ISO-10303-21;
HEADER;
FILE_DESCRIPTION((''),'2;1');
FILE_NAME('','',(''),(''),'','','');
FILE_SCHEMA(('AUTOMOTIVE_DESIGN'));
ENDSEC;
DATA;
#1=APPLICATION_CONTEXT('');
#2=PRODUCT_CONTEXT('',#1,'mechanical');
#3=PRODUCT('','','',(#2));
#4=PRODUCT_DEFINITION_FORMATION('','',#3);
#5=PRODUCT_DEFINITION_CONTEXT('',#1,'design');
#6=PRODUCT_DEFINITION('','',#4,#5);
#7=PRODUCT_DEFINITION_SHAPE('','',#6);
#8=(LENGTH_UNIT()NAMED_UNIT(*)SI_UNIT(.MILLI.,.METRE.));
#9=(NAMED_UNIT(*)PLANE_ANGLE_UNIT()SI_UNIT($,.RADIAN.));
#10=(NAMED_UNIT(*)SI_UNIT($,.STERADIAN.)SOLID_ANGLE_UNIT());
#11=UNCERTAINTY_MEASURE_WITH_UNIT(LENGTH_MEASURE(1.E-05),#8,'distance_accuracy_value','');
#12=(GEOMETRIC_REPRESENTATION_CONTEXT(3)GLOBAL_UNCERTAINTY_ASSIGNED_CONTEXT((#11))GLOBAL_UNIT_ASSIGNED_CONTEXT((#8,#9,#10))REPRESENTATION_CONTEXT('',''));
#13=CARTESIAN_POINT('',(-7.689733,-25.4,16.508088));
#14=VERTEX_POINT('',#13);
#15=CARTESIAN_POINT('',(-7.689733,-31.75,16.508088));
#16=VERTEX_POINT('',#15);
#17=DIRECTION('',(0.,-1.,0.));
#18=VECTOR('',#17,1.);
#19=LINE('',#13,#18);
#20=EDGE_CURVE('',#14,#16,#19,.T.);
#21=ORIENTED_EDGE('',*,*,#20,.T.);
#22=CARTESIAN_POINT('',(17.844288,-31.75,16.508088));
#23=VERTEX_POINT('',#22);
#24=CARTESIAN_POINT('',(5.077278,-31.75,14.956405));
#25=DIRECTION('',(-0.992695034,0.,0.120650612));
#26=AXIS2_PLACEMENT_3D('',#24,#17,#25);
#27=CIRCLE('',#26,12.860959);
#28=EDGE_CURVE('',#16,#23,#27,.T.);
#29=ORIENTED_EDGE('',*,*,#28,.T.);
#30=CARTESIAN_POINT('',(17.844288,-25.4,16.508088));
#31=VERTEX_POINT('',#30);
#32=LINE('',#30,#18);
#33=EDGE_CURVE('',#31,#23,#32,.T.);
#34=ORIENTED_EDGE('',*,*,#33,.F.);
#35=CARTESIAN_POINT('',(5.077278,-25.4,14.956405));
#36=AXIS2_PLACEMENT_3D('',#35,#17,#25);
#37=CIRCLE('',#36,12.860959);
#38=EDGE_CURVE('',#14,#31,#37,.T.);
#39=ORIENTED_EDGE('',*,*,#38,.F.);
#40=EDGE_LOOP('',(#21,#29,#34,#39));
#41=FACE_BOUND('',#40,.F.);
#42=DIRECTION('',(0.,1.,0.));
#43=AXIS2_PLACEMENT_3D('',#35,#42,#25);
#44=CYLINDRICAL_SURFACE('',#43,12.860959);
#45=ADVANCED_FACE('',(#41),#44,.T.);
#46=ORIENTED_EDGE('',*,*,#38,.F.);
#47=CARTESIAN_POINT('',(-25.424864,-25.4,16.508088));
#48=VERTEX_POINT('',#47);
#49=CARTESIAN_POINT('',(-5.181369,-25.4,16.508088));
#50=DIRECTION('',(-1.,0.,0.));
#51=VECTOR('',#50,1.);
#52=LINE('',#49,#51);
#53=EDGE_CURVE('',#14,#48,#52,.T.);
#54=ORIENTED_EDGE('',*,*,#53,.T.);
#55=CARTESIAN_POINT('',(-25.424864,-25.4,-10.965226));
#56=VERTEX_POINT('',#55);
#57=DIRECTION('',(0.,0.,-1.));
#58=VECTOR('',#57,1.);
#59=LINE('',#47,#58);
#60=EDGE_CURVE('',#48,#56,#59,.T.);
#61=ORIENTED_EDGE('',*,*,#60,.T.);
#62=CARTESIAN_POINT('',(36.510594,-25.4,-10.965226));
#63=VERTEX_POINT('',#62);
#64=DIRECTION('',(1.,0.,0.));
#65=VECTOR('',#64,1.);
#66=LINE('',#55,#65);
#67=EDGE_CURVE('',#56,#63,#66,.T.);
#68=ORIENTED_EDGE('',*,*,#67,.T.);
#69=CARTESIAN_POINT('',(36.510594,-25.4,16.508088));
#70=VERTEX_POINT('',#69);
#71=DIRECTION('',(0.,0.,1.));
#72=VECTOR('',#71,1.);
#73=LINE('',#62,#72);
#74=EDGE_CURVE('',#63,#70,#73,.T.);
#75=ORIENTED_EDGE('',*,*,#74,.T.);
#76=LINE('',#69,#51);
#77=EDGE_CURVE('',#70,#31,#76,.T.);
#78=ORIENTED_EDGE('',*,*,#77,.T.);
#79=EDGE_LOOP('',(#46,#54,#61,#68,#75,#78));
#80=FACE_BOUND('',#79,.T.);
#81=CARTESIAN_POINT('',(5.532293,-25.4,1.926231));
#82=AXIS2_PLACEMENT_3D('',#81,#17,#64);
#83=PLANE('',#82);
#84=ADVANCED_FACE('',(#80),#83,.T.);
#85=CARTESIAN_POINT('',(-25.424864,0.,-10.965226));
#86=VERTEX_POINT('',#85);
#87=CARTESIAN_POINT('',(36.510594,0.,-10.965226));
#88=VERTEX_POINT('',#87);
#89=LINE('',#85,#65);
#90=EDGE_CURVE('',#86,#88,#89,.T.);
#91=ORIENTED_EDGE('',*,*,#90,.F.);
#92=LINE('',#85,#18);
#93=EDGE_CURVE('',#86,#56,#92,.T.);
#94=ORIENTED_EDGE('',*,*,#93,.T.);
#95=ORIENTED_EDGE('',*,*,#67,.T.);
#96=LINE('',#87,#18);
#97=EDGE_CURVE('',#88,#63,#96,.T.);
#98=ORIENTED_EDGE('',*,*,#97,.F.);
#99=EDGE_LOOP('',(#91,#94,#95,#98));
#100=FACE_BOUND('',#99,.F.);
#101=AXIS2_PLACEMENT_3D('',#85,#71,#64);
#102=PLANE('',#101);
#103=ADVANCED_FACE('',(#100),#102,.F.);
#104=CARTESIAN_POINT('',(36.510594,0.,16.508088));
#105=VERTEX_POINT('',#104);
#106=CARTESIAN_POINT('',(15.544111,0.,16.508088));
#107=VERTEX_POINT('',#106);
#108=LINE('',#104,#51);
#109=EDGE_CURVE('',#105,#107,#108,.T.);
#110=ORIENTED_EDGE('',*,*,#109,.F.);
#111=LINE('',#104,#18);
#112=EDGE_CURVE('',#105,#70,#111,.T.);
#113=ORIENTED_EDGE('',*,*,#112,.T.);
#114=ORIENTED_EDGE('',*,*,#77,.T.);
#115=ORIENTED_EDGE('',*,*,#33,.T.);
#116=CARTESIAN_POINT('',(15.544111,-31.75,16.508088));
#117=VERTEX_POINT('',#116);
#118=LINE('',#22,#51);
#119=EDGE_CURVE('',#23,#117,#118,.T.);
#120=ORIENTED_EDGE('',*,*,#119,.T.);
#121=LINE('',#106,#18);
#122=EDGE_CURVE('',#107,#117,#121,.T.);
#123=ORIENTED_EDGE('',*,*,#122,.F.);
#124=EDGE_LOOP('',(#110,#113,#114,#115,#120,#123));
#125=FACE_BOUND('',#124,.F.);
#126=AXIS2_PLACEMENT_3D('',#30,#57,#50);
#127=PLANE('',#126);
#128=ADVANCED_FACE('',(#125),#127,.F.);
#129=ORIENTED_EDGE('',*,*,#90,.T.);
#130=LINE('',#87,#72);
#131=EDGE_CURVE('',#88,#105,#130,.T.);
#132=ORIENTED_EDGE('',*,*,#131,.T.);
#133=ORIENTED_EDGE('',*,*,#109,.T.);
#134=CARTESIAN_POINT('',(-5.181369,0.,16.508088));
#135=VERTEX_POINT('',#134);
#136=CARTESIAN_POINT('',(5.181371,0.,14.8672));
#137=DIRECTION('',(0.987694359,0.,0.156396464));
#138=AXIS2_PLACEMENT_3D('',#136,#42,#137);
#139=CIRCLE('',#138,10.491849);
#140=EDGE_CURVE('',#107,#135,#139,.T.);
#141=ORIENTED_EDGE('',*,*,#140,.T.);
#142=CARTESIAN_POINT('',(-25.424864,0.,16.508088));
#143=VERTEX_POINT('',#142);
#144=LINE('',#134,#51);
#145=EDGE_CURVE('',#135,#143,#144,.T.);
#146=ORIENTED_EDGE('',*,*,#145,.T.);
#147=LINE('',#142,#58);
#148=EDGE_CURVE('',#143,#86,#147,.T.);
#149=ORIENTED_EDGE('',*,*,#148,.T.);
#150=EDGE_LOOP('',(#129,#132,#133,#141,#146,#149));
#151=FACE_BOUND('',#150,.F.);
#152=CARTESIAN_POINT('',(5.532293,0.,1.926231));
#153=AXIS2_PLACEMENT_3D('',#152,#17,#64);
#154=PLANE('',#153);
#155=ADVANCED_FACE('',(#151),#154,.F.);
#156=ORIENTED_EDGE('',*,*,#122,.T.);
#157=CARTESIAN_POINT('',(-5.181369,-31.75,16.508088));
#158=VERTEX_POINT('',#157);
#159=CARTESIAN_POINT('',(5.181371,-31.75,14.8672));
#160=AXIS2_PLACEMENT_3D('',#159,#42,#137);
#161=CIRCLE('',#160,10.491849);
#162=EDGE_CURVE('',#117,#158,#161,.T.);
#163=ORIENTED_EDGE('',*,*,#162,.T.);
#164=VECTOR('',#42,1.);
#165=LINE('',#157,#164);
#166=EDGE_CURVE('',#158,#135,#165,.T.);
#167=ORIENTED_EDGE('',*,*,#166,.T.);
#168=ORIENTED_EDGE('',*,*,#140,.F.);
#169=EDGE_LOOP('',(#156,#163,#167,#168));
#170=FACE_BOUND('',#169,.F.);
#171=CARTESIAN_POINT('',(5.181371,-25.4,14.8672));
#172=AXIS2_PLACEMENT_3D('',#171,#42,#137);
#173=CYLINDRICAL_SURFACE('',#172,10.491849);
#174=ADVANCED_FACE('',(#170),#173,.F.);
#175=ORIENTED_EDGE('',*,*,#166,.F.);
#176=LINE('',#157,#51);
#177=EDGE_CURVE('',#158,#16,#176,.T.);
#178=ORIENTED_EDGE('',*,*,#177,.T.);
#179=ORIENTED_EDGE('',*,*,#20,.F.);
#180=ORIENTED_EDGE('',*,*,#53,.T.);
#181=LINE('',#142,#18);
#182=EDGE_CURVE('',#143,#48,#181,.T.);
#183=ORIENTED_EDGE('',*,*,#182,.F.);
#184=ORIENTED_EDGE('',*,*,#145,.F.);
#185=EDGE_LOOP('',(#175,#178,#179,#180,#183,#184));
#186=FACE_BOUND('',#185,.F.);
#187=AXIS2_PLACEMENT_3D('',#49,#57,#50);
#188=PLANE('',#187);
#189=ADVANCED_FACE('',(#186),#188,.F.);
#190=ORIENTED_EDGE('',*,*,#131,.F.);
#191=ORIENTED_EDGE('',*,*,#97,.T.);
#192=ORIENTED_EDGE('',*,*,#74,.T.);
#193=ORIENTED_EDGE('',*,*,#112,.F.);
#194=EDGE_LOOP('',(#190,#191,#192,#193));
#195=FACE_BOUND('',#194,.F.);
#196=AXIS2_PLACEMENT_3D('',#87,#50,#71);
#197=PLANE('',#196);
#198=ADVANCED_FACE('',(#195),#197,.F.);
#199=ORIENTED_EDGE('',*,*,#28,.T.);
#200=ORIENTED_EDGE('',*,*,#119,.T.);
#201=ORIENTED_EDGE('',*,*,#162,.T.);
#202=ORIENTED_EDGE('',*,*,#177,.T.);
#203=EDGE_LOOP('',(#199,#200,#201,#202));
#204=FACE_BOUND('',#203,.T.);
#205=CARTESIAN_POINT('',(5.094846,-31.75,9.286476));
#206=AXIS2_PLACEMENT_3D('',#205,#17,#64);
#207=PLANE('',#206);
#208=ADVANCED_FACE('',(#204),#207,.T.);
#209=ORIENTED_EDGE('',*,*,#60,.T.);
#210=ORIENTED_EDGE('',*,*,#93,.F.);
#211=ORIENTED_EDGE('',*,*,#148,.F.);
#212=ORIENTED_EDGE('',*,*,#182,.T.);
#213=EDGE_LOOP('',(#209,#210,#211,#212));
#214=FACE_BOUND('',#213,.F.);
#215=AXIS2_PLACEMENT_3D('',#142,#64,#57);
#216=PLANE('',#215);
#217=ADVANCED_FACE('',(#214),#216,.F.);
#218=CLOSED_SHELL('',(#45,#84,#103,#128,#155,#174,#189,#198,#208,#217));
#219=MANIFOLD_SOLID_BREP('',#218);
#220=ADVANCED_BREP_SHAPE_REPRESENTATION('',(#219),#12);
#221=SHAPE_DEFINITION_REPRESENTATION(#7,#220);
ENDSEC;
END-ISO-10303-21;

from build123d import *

# Parameters (mm, degrees)
F1_DEPTH = 25.4
F2_R     = 3.02283
F3_DEPTH = 25.4
F5_DEPTH = 6.35


with BuildPart() as f1:
    # F0 (on Front) → F1 (new body)
    with BuildSketch(Plane.XZ):
        with BuildLine():
            Line((-25.424864, 16.508088), (-25.424864, -10.965226))
            Line((-25.424864, -10.965226), (36.510594, -10.965226))
            Line((36.510594, -10.965226), (36.510594, 16.508088))
            Line((36.510594, 16.508088), (19.159023, 16.508088))
            ThreePointArc((19.159023, 16.508088), (5.422366, 0.842331), (-8.314291, 16.508088))
            Line((-8.314291, 16.508088), (-25.424864, 16.508088))
        make_face()
        with BuildLine():
            Line((-5.181369, 16.508088), (-8.314291, 16.508088))
            ThreePointArc((-8.314291, 16.508088), (5.422366, 0.842331), (19.159023, 16.508088))
            Line((19.159023, 16.508088), (15.544111, 16.508088))
            ThreePointArc((15.544111, 16.508088), (5.181371, 4.375351), (-5.181369, 16.508088))
        make_face()
    extrude(amount=F1_DEPTH)

    # F2 (on face) → F3 (join)
    with BuildSketch(Plane.XY.offset(16.508088)):
        with Locations((-15.827941, -12.417181)):
            Circle(F2_R)
    extrude(amount=-F3_DEPTH)

    # F4 (on face) → F5 (join)
    with BuildSketch(Plane.XZ.offset(25.4)):
        with BuildLine():
            ThreePointArc((-7.689733, 16.508088), (5.077277, 2.095446), (17.844288, 16.508088))
            Line((17.844288, 16.508088), (15.544111, 16.508088))
            ThreePointArc((15.544111, 16.508088), (5.181371, 4.375351), (-5.181369, 16.508088))
            Line((-5.181369, 16.508088), (-7.689733, 16.508088))
        make_face()
    extrude(amount=F5_DEPTH)


solid = f1.part
